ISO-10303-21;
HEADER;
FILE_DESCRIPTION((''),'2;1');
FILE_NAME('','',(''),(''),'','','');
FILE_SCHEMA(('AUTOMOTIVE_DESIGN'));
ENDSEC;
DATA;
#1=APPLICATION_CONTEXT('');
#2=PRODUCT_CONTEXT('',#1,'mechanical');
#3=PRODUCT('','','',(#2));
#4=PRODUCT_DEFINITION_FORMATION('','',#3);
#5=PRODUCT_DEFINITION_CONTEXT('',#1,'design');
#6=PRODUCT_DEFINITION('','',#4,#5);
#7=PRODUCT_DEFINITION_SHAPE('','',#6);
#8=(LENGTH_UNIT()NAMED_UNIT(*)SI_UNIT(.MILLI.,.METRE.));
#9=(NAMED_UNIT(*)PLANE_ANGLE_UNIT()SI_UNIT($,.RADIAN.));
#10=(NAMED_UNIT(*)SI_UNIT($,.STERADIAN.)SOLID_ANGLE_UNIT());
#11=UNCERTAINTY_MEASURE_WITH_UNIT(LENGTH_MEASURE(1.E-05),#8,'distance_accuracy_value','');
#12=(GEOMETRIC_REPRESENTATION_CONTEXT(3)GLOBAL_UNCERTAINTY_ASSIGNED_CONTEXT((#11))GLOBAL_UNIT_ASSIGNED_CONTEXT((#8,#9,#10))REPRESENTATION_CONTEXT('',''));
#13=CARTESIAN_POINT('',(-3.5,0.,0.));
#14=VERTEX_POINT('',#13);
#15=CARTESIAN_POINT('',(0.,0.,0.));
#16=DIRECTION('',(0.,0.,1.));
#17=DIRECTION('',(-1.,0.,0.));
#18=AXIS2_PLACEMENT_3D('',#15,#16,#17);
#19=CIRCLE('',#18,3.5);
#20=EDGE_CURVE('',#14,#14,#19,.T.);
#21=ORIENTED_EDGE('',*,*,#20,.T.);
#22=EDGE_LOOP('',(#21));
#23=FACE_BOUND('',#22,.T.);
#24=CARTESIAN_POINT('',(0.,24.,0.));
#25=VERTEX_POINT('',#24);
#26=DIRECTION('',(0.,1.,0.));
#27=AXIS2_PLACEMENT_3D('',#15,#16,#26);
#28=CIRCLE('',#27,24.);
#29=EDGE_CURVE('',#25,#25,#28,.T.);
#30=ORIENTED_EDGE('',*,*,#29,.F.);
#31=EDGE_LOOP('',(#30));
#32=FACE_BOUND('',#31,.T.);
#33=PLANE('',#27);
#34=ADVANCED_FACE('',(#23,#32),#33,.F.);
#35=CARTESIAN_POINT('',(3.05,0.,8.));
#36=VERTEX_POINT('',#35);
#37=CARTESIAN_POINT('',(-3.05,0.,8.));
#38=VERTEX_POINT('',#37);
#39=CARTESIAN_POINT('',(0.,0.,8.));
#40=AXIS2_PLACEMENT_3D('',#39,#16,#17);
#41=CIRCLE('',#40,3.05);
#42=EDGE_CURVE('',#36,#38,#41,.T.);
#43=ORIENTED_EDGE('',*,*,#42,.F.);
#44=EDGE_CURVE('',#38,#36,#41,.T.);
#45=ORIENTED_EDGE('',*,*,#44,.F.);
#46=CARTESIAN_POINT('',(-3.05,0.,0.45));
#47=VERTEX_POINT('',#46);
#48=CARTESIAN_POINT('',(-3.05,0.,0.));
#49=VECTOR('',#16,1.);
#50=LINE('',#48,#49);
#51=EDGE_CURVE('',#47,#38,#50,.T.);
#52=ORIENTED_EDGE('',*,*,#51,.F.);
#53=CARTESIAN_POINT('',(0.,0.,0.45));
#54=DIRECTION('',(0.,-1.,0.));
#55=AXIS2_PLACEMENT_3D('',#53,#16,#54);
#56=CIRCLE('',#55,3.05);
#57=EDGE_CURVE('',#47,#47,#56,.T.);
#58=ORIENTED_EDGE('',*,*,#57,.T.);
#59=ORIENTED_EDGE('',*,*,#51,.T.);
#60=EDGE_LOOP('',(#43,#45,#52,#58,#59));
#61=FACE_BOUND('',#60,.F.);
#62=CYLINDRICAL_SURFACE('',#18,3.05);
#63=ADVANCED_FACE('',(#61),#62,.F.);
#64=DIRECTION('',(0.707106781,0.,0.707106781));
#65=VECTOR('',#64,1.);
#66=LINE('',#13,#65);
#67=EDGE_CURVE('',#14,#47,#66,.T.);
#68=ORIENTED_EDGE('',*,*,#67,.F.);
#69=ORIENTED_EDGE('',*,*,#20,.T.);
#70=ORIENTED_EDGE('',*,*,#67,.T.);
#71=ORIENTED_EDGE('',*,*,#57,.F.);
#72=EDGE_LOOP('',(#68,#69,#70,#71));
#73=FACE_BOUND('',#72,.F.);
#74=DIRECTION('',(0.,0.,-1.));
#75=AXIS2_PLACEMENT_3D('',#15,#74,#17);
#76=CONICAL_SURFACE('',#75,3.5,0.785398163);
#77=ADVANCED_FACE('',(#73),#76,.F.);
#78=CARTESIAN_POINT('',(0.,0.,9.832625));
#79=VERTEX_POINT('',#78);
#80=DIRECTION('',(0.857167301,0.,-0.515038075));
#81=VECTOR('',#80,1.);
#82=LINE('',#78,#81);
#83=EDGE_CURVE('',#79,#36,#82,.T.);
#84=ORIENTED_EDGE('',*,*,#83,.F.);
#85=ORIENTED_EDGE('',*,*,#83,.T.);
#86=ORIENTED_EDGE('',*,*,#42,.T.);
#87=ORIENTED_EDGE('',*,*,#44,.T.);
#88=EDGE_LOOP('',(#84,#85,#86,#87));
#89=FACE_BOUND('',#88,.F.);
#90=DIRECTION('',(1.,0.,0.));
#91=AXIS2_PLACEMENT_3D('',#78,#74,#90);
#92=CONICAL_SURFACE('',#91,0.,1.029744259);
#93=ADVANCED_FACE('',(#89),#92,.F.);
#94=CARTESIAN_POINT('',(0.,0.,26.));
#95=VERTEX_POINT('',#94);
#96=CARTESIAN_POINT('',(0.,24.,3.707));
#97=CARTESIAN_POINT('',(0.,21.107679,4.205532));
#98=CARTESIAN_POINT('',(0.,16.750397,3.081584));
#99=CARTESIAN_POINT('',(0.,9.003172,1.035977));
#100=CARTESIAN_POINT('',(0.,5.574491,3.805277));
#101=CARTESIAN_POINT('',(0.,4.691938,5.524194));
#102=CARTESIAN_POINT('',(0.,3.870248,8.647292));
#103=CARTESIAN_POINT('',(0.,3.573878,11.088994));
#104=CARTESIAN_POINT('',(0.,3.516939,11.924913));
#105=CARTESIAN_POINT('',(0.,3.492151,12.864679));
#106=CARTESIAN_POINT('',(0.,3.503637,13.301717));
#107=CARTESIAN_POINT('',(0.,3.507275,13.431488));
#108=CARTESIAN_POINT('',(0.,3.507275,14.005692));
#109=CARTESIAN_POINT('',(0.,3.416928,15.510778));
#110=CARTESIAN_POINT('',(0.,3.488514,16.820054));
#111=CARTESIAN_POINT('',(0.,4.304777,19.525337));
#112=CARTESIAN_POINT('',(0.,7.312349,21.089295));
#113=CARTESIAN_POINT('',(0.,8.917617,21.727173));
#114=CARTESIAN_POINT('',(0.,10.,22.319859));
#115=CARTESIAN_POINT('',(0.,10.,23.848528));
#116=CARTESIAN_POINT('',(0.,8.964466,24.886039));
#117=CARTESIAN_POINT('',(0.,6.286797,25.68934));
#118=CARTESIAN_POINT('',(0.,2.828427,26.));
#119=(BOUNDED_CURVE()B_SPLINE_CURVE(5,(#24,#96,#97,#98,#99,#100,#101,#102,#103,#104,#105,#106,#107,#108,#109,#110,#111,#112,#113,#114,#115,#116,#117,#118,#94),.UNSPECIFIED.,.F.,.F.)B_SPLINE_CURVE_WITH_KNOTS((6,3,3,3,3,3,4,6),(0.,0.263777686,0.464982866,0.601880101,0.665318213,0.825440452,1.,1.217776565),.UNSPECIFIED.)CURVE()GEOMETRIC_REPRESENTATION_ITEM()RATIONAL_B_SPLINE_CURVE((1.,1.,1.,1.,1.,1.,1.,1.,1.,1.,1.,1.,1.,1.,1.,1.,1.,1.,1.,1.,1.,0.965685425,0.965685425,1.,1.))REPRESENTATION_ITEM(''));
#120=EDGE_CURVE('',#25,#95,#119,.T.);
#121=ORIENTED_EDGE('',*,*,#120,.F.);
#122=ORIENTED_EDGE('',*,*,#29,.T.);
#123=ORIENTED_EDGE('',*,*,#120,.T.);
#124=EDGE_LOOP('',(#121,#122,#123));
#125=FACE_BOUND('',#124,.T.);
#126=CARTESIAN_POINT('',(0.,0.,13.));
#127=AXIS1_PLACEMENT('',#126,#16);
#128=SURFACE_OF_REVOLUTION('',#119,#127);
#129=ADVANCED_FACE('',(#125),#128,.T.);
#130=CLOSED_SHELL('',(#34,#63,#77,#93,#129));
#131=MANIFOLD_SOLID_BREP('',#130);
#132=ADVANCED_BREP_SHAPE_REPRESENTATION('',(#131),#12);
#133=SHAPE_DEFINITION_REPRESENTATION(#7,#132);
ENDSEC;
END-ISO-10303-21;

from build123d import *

# Parameters (mm, degrees)
F3_D           = 6.1
F3_DEPTH       = 8
F3_CSINK_D     = 7
F3_CSINK_ANGLE = 90
F3_TIP         = 1.832624888


with BuildPart() as f1:
    # F0 (on Right) → F1 (revolve)
    with BuildSketch(Plane.YZ):
        with BuildLine():
            add(Edge.make_bspline(
                [(10, 23), (10, 21.8664322962), (3.0825162614, 20.251966077), (3.5427284539, 13.8059508825), (3.4738352209, 12.9727567291), (3.6394488997, 8.6857974094), (7.0048850653, -1.7833826218), (24, 6.1783335444), (24, 0)],
                knots=[0, 0, 0, 0, 0.174559548, 0.3346817865, 0.3981198991, 0.5350171341, 0.7362223145, 1, 1, 1, 1], degree=3))
            add(Edge.make_bspline(
                [(10, 23), (10, 26), (0, 26)],
                knots=[3.1415926536, 3.1415926536, 3.1415926536, 4.7123889804, 4.7123889804, 4.7123889804], degree=2, weights=[1, 0.7071067812, 1]))
            Line((0, 26), (0, 0))
            Line((0, 0), (24, 0))
        make_face()
    revolve(axis=Axis((0, 0, 13), (0, 0, 1)))

    # F3
    with Locations(Plane(origin=(0, 0, 0), x_dir=(1, 0, 0), z_dir=(0, 0, -1))):
        with Locations((0, 0)):
            CounterSinkHole(F3_D / 2, F3_CSINK_D / 2, depth=F3_DEPTH, counter_sink_angle=F3_CSINK_ANGLE)
            with Locations((0, 0, -(F3_DEPTH + F3_TIP / 2))):  # 118° drill point
                Cone(0, F3_D / 2, F3_TIP, mode=Mode.SUBTRACT)


solid = f1.part
